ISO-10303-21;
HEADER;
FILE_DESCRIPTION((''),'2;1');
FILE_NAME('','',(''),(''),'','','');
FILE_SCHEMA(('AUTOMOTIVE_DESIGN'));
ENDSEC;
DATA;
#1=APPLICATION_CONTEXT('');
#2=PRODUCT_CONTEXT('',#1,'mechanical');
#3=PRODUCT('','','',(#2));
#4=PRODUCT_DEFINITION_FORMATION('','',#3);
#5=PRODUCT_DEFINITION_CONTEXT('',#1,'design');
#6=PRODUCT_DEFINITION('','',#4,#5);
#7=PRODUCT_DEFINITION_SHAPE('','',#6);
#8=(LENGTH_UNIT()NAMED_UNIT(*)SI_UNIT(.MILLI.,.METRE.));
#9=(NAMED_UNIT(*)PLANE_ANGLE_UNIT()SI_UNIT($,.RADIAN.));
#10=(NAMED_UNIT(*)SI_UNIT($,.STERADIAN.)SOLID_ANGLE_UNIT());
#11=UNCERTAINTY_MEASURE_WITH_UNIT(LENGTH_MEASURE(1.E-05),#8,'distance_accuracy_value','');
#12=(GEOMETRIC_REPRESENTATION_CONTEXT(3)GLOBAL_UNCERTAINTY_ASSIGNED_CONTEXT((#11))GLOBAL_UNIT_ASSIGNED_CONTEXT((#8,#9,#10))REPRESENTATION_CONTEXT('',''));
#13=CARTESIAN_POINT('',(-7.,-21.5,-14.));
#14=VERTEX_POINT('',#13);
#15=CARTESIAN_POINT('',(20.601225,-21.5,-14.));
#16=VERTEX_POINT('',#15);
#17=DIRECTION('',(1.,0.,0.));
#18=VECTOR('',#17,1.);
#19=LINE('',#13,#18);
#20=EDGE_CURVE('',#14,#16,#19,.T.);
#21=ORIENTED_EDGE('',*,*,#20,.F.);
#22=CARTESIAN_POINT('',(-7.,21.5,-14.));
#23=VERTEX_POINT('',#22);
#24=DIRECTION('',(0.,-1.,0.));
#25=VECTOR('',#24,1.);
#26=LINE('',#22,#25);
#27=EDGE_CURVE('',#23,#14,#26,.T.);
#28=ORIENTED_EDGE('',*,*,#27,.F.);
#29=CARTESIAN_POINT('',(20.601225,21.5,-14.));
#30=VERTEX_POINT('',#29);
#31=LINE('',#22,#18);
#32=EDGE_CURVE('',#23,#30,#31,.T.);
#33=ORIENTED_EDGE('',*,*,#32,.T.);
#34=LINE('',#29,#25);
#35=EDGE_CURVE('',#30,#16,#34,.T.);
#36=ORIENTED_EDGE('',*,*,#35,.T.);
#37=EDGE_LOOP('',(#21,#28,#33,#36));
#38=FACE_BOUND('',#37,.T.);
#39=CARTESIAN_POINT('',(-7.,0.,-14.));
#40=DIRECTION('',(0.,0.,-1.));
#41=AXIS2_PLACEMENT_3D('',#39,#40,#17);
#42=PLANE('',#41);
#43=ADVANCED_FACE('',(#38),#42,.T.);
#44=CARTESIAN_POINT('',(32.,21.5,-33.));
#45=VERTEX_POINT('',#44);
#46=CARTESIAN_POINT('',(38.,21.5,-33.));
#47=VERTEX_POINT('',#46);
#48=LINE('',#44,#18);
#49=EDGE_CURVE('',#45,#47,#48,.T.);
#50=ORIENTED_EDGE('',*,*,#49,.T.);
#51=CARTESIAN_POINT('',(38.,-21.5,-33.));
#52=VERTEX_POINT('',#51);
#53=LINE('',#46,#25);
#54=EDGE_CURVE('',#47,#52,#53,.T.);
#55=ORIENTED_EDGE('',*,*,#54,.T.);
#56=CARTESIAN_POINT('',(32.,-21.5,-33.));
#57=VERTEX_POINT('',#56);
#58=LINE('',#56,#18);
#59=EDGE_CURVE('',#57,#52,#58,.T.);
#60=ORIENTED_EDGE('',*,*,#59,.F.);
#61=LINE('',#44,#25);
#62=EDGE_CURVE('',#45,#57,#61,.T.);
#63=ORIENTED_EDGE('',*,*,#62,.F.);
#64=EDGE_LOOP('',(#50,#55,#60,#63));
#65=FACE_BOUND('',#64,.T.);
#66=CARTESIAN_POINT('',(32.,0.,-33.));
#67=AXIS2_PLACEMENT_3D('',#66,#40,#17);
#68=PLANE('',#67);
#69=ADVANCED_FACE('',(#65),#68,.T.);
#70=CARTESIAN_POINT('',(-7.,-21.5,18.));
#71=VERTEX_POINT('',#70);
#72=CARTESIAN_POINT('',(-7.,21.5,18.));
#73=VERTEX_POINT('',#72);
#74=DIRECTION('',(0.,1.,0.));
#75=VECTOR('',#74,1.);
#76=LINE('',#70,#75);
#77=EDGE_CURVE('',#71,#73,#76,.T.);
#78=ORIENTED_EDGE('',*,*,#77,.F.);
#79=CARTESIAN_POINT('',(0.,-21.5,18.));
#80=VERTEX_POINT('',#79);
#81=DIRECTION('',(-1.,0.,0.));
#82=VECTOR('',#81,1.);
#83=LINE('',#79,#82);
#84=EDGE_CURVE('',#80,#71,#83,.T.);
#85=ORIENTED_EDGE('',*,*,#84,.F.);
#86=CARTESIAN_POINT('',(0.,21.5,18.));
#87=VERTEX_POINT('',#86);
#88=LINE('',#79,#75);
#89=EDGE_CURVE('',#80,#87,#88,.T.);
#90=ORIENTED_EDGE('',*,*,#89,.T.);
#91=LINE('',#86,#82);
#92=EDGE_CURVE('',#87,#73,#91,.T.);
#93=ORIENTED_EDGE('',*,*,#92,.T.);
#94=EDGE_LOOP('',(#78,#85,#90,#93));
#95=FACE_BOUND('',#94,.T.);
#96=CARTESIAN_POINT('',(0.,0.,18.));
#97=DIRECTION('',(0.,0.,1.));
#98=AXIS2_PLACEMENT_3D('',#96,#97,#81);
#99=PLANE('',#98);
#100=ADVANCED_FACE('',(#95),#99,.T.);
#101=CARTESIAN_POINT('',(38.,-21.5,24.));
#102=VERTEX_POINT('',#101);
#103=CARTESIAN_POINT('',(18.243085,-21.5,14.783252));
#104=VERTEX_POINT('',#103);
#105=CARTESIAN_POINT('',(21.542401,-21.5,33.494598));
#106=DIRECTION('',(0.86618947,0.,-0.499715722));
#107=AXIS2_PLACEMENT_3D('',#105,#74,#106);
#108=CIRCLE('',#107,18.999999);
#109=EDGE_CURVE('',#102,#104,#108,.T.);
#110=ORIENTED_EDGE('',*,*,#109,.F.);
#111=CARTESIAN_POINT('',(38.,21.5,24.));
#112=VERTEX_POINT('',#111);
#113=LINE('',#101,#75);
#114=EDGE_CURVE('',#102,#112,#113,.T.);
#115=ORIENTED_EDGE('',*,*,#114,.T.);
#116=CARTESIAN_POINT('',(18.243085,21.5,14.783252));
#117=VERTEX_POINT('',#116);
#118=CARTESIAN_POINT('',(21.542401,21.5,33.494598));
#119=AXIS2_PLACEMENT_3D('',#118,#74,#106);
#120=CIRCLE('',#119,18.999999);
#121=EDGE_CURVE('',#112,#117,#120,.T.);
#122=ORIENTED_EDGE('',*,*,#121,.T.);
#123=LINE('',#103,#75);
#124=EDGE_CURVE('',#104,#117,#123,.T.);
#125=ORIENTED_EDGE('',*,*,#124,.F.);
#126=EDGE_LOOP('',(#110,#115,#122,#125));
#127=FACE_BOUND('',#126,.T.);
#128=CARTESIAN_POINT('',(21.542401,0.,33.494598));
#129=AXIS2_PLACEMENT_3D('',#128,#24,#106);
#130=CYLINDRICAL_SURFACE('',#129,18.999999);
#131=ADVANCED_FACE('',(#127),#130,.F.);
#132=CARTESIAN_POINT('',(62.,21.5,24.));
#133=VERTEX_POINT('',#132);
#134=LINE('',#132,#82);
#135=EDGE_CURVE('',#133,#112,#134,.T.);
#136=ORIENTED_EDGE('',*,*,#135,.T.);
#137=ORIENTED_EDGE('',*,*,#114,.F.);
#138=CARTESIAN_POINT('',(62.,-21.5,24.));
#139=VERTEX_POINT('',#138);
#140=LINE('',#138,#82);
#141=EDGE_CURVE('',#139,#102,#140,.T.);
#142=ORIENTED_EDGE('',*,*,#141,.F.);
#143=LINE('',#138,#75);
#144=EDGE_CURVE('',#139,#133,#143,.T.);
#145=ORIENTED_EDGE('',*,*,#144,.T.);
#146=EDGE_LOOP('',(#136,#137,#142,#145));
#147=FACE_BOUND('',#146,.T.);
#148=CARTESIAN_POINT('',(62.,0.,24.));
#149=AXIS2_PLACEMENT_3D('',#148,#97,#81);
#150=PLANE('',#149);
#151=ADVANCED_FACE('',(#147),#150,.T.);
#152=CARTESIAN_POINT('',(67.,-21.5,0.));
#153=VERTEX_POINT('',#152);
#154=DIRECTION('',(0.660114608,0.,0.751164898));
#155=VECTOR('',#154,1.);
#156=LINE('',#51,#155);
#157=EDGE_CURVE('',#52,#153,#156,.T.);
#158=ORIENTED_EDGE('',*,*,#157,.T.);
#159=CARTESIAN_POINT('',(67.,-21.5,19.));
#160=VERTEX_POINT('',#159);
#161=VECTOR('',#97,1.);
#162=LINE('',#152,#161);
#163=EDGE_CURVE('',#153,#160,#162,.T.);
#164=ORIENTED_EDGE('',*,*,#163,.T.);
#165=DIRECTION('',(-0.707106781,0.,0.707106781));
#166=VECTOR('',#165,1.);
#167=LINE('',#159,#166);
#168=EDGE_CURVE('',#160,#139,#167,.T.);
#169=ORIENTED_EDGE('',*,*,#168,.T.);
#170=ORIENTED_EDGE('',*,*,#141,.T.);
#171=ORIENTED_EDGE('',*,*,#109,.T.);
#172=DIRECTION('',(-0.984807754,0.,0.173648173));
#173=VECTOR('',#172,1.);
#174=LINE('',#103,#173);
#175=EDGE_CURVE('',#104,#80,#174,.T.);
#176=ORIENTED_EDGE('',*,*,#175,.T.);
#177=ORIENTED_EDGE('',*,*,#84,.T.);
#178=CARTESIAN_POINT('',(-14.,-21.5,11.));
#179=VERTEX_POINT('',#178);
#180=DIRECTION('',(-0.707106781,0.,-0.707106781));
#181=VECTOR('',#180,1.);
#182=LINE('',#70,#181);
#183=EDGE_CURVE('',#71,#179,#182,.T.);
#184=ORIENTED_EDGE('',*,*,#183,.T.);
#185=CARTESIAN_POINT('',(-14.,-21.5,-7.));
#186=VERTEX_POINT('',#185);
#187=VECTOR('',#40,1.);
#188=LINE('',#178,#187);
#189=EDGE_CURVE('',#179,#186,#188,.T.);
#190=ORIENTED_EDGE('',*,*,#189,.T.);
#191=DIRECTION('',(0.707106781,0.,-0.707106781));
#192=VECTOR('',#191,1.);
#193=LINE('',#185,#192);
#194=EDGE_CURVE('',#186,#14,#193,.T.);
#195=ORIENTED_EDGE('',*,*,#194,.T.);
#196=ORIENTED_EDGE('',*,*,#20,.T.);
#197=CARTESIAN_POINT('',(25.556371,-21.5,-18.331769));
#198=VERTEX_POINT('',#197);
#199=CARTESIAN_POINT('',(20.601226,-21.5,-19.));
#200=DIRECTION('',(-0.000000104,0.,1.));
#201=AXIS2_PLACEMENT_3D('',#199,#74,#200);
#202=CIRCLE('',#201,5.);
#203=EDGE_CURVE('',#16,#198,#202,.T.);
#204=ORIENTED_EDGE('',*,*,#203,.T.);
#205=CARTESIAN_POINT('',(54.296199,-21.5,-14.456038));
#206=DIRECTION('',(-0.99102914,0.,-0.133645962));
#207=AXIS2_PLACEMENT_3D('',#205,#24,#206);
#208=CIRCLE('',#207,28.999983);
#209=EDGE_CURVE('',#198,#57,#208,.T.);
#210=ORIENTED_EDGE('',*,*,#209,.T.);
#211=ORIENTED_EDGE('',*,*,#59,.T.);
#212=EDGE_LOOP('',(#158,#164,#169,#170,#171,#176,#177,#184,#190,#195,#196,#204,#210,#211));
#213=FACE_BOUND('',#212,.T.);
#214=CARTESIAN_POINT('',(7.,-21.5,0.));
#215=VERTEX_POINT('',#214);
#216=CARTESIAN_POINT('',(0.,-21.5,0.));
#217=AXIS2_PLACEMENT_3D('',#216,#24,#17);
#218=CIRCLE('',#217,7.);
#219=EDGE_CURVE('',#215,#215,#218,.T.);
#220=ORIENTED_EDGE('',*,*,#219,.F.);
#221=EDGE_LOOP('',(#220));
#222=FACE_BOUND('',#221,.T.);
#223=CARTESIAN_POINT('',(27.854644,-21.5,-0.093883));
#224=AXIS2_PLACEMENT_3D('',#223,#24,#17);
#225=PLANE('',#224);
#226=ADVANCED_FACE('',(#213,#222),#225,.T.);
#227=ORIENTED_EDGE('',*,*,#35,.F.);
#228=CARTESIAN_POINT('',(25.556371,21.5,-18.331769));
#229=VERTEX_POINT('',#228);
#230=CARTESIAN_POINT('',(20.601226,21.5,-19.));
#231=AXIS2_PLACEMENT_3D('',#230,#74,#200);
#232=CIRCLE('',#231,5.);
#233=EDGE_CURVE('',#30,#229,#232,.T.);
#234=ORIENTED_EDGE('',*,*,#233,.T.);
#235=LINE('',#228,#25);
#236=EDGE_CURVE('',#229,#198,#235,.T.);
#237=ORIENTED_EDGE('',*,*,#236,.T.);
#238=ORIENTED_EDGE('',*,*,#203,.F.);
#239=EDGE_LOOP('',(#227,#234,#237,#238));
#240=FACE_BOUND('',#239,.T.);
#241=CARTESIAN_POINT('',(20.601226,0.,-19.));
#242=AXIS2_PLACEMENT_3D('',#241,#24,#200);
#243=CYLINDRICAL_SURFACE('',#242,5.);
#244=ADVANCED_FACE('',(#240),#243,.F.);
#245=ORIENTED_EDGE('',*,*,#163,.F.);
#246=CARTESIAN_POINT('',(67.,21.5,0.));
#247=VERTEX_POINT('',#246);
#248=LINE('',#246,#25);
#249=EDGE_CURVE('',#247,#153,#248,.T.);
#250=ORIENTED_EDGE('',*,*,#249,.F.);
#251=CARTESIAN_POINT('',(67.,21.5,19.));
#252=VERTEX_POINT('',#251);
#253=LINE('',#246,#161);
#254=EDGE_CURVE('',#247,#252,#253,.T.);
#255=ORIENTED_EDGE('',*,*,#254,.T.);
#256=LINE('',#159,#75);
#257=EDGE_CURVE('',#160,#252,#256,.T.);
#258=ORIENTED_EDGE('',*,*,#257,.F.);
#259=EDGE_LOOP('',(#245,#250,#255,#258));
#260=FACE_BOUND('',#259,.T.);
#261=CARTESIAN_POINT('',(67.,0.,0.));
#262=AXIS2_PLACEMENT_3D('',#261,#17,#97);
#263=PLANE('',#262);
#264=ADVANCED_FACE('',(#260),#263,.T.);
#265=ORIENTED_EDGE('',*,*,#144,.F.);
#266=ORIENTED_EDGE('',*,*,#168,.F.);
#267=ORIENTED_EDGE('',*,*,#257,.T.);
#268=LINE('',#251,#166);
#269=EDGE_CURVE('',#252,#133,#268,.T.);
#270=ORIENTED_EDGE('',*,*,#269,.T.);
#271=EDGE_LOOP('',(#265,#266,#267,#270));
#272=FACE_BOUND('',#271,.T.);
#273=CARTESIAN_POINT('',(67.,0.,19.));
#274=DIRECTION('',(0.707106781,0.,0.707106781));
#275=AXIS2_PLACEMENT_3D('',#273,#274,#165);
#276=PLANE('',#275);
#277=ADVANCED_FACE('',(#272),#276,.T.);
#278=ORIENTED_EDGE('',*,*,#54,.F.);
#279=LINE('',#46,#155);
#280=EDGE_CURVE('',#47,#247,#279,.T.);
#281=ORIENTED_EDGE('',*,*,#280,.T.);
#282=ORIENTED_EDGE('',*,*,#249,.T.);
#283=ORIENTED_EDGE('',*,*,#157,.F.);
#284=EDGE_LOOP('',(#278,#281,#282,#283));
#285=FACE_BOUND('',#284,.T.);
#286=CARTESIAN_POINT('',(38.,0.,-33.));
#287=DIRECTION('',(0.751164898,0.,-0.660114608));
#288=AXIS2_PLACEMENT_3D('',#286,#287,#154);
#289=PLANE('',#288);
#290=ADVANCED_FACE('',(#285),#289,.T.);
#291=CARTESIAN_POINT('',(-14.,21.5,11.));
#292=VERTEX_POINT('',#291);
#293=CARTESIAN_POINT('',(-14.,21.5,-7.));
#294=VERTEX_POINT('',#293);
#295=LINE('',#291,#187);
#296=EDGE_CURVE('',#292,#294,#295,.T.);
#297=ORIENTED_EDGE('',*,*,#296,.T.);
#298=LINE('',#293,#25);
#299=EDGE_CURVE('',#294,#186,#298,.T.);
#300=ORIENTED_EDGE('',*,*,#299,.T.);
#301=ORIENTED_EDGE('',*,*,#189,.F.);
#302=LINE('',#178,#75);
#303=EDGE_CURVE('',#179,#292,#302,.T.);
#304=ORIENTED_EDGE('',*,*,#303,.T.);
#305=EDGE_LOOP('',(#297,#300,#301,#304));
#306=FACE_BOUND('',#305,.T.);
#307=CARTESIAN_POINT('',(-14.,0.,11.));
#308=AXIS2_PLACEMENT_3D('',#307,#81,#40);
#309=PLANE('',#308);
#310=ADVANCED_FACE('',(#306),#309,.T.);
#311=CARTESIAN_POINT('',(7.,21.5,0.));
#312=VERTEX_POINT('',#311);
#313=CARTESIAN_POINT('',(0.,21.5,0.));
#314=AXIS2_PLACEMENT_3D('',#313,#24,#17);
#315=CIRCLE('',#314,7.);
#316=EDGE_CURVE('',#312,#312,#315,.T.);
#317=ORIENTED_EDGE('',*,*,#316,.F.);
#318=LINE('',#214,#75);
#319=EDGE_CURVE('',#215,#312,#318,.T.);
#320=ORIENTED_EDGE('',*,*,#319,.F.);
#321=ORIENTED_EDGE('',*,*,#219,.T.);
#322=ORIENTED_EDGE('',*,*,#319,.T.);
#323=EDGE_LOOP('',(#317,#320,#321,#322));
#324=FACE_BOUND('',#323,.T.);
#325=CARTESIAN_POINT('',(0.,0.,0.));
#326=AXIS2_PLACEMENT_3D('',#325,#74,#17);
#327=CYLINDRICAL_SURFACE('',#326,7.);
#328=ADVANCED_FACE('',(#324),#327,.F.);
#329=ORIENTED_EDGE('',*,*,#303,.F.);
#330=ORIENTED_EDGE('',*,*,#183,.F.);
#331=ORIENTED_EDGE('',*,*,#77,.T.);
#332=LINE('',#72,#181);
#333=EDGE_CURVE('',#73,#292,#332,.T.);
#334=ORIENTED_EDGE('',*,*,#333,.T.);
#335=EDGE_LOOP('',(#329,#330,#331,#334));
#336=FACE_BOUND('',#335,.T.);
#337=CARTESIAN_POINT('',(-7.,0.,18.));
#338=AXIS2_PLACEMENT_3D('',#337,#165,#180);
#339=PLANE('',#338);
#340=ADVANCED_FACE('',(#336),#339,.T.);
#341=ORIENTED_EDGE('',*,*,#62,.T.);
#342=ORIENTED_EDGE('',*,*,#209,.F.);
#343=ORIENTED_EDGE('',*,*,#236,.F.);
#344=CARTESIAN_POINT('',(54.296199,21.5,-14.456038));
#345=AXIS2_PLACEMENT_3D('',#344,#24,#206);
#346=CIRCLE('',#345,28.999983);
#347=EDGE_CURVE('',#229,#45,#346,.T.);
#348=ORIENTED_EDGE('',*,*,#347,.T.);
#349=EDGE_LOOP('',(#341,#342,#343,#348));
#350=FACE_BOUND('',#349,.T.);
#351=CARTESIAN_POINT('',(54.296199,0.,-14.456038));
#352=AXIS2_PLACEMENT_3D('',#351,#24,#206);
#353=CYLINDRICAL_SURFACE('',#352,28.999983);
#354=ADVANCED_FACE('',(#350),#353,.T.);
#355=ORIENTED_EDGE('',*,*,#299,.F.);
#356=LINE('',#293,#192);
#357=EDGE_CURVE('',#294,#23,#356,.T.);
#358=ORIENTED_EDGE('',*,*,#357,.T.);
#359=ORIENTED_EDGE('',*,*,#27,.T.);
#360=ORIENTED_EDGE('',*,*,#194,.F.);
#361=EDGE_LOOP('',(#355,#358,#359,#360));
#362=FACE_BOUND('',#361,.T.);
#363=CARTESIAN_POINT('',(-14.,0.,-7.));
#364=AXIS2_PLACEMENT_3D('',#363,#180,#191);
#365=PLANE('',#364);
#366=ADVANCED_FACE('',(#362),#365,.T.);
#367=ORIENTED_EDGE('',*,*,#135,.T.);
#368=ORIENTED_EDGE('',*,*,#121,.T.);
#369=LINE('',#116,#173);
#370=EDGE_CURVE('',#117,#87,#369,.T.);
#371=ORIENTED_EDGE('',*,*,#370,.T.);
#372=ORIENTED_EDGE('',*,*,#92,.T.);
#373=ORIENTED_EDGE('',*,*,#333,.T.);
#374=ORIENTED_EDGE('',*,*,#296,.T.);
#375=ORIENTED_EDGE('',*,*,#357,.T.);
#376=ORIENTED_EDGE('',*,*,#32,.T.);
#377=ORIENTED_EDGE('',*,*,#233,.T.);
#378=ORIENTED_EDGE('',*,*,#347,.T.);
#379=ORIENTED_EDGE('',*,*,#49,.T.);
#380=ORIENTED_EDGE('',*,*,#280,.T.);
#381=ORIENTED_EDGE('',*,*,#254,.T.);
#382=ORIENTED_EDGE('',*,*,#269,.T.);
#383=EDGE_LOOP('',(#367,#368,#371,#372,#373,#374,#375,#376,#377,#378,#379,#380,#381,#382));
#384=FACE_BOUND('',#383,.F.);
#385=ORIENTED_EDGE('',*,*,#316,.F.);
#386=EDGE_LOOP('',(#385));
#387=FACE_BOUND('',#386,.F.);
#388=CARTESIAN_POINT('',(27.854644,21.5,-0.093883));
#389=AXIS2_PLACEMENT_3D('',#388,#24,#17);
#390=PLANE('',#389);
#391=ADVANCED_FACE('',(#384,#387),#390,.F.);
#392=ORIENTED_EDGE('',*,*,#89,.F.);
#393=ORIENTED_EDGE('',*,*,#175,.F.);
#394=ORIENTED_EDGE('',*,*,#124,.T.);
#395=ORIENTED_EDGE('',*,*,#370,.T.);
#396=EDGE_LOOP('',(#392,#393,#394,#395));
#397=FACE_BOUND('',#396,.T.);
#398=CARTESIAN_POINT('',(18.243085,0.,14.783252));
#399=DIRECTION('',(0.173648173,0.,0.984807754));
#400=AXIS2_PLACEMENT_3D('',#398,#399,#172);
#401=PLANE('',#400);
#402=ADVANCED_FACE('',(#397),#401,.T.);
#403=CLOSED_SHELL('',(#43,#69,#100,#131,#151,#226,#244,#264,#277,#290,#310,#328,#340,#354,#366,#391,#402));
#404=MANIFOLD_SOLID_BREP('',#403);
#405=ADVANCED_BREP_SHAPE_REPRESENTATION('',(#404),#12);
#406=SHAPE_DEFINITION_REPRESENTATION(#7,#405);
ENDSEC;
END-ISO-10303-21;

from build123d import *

# Parameters (mm, degrees)
F0_R     = 7
F1_DEPTH = 21.5


with BuildPart() as f1:
    # F0 (on Front) → F1 (new body, symmetric)
    with BuildSketch(Plane.XZ):
        with BuildLine():
            Line((-14, 11), (-14, -7))
            Line((-14, -7), (-7, -14))
            Line((-7, -14), (20.601225, -14))
            ThreePointArc((20.601225, -14), (23.892034, -15.235617), (25.556371, -18.331769))
            ThreePointArc((25.556371, -18.331769), (27.745149, -26.119689), (32, -33))
            Line((32, -33), (38, -33))
            Line((38, -33), (67, 0))
            Line((67, 0), (67, 19))
            Line((67, 19), (62, 24))
            Line((62, 24), (38, 24))
            ThreePointArc((38, 24), (29.574973, 16.276069), (18.243085, 14.783252))
            Line((18.243085, 14.783252), (0, 18))
            Line((0, 18), (-7, 18))
            Line((-7, 18), (-14, 11))
        make_face()
        Circle(F0_R, mode=Mode.SUBTRACT)
    extrude(amount=F1_DEPTH, both=True)


solid = f1.part
